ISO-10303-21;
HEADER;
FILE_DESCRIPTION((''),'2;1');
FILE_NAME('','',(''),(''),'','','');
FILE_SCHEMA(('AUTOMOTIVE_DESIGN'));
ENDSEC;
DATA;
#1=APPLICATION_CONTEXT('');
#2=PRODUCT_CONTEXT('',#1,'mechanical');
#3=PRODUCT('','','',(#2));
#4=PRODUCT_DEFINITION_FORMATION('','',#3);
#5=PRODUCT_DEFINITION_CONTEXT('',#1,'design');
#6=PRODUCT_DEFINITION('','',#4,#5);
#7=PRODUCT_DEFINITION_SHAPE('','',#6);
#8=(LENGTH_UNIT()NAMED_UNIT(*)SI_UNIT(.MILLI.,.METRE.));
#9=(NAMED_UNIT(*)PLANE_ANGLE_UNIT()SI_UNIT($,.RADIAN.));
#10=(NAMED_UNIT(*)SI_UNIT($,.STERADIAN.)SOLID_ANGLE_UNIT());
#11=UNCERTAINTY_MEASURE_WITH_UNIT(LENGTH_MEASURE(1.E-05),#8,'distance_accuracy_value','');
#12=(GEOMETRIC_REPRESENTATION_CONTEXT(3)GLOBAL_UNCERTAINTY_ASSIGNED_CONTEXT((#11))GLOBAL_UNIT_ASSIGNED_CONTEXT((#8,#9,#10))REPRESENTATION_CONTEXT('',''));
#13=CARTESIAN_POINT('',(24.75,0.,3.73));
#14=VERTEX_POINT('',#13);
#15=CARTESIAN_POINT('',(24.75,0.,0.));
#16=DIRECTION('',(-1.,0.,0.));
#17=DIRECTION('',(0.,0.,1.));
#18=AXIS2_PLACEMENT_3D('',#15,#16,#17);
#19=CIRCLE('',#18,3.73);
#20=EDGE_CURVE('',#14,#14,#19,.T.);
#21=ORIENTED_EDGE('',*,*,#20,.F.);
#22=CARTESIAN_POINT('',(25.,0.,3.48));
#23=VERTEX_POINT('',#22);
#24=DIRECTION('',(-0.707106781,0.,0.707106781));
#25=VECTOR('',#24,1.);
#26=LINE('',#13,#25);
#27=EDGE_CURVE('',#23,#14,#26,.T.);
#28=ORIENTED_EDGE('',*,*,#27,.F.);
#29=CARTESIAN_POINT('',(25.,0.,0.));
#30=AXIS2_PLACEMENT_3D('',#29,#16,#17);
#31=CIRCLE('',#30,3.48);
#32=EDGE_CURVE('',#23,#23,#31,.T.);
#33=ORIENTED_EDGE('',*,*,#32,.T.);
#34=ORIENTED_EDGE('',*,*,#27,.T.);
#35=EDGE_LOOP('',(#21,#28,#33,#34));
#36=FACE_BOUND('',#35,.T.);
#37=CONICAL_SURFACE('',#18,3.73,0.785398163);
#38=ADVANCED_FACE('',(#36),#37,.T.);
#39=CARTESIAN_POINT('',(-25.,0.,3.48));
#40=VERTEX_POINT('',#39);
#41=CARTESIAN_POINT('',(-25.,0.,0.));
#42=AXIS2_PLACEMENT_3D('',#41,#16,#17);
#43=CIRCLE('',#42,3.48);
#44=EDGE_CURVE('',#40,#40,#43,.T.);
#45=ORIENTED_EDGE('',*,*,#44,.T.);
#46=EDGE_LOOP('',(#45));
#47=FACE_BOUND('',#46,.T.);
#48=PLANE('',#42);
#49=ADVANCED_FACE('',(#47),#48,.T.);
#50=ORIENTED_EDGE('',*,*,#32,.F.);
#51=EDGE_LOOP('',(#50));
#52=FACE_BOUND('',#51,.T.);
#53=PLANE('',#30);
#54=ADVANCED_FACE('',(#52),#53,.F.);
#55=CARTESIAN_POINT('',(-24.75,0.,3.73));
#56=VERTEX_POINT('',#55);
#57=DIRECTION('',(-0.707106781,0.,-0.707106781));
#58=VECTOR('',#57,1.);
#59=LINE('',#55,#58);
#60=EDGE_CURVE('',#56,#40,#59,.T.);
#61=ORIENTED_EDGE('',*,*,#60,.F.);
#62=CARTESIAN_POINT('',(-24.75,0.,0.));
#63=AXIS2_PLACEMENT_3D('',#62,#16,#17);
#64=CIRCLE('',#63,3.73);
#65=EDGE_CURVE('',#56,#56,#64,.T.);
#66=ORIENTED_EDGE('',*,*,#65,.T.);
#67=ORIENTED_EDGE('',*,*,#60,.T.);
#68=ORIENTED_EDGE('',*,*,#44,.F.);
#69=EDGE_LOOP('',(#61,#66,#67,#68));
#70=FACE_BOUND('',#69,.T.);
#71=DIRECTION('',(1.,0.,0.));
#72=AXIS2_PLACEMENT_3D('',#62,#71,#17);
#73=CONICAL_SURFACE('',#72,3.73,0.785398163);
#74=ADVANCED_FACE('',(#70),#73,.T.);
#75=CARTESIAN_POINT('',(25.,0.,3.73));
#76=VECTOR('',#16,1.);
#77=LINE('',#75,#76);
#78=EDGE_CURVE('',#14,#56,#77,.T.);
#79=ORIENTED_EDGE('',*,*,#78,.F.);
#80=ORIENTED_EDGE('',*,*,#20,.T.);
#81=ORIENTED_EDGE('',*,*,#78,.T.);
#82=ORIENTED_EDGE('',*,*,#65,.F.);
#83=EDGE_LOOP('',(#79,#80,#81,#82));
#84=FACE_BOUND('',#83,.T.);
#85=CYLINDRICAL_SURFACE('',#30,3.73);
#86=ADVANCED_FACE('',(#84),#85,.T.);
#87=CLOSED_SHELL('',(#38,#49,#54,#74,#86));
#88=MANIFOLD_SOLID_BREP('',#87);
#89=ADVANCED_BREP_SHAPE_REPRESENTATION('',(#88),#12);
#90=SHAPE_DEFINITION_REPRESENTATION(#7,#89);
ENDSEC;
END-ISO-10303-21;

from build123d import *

# Parameters (mm, degrees)
F2_SIZE = 0.25


with BuildPart() as f1:
    # F0 (on Front) → F1 (revolve)
    with BuildSketch(Plane.XZ):
        Polygon((25, 0), (25, 3.73), (-25, 3.73), (-25, 0), (0, 0), align=None)
    revolve(axis=Axis((-16.784916, 0, 0), (-1, 0, 0)))

    # F2
    f2_edges = [f1.edges().sort_by_distance(p)[0] for p in [
        (25, 0, -3.73),
        (-25, 0, -3.73),
    ]]
    chamfer(f2_edges, length=F2_SIZE)


solid = f1.part
